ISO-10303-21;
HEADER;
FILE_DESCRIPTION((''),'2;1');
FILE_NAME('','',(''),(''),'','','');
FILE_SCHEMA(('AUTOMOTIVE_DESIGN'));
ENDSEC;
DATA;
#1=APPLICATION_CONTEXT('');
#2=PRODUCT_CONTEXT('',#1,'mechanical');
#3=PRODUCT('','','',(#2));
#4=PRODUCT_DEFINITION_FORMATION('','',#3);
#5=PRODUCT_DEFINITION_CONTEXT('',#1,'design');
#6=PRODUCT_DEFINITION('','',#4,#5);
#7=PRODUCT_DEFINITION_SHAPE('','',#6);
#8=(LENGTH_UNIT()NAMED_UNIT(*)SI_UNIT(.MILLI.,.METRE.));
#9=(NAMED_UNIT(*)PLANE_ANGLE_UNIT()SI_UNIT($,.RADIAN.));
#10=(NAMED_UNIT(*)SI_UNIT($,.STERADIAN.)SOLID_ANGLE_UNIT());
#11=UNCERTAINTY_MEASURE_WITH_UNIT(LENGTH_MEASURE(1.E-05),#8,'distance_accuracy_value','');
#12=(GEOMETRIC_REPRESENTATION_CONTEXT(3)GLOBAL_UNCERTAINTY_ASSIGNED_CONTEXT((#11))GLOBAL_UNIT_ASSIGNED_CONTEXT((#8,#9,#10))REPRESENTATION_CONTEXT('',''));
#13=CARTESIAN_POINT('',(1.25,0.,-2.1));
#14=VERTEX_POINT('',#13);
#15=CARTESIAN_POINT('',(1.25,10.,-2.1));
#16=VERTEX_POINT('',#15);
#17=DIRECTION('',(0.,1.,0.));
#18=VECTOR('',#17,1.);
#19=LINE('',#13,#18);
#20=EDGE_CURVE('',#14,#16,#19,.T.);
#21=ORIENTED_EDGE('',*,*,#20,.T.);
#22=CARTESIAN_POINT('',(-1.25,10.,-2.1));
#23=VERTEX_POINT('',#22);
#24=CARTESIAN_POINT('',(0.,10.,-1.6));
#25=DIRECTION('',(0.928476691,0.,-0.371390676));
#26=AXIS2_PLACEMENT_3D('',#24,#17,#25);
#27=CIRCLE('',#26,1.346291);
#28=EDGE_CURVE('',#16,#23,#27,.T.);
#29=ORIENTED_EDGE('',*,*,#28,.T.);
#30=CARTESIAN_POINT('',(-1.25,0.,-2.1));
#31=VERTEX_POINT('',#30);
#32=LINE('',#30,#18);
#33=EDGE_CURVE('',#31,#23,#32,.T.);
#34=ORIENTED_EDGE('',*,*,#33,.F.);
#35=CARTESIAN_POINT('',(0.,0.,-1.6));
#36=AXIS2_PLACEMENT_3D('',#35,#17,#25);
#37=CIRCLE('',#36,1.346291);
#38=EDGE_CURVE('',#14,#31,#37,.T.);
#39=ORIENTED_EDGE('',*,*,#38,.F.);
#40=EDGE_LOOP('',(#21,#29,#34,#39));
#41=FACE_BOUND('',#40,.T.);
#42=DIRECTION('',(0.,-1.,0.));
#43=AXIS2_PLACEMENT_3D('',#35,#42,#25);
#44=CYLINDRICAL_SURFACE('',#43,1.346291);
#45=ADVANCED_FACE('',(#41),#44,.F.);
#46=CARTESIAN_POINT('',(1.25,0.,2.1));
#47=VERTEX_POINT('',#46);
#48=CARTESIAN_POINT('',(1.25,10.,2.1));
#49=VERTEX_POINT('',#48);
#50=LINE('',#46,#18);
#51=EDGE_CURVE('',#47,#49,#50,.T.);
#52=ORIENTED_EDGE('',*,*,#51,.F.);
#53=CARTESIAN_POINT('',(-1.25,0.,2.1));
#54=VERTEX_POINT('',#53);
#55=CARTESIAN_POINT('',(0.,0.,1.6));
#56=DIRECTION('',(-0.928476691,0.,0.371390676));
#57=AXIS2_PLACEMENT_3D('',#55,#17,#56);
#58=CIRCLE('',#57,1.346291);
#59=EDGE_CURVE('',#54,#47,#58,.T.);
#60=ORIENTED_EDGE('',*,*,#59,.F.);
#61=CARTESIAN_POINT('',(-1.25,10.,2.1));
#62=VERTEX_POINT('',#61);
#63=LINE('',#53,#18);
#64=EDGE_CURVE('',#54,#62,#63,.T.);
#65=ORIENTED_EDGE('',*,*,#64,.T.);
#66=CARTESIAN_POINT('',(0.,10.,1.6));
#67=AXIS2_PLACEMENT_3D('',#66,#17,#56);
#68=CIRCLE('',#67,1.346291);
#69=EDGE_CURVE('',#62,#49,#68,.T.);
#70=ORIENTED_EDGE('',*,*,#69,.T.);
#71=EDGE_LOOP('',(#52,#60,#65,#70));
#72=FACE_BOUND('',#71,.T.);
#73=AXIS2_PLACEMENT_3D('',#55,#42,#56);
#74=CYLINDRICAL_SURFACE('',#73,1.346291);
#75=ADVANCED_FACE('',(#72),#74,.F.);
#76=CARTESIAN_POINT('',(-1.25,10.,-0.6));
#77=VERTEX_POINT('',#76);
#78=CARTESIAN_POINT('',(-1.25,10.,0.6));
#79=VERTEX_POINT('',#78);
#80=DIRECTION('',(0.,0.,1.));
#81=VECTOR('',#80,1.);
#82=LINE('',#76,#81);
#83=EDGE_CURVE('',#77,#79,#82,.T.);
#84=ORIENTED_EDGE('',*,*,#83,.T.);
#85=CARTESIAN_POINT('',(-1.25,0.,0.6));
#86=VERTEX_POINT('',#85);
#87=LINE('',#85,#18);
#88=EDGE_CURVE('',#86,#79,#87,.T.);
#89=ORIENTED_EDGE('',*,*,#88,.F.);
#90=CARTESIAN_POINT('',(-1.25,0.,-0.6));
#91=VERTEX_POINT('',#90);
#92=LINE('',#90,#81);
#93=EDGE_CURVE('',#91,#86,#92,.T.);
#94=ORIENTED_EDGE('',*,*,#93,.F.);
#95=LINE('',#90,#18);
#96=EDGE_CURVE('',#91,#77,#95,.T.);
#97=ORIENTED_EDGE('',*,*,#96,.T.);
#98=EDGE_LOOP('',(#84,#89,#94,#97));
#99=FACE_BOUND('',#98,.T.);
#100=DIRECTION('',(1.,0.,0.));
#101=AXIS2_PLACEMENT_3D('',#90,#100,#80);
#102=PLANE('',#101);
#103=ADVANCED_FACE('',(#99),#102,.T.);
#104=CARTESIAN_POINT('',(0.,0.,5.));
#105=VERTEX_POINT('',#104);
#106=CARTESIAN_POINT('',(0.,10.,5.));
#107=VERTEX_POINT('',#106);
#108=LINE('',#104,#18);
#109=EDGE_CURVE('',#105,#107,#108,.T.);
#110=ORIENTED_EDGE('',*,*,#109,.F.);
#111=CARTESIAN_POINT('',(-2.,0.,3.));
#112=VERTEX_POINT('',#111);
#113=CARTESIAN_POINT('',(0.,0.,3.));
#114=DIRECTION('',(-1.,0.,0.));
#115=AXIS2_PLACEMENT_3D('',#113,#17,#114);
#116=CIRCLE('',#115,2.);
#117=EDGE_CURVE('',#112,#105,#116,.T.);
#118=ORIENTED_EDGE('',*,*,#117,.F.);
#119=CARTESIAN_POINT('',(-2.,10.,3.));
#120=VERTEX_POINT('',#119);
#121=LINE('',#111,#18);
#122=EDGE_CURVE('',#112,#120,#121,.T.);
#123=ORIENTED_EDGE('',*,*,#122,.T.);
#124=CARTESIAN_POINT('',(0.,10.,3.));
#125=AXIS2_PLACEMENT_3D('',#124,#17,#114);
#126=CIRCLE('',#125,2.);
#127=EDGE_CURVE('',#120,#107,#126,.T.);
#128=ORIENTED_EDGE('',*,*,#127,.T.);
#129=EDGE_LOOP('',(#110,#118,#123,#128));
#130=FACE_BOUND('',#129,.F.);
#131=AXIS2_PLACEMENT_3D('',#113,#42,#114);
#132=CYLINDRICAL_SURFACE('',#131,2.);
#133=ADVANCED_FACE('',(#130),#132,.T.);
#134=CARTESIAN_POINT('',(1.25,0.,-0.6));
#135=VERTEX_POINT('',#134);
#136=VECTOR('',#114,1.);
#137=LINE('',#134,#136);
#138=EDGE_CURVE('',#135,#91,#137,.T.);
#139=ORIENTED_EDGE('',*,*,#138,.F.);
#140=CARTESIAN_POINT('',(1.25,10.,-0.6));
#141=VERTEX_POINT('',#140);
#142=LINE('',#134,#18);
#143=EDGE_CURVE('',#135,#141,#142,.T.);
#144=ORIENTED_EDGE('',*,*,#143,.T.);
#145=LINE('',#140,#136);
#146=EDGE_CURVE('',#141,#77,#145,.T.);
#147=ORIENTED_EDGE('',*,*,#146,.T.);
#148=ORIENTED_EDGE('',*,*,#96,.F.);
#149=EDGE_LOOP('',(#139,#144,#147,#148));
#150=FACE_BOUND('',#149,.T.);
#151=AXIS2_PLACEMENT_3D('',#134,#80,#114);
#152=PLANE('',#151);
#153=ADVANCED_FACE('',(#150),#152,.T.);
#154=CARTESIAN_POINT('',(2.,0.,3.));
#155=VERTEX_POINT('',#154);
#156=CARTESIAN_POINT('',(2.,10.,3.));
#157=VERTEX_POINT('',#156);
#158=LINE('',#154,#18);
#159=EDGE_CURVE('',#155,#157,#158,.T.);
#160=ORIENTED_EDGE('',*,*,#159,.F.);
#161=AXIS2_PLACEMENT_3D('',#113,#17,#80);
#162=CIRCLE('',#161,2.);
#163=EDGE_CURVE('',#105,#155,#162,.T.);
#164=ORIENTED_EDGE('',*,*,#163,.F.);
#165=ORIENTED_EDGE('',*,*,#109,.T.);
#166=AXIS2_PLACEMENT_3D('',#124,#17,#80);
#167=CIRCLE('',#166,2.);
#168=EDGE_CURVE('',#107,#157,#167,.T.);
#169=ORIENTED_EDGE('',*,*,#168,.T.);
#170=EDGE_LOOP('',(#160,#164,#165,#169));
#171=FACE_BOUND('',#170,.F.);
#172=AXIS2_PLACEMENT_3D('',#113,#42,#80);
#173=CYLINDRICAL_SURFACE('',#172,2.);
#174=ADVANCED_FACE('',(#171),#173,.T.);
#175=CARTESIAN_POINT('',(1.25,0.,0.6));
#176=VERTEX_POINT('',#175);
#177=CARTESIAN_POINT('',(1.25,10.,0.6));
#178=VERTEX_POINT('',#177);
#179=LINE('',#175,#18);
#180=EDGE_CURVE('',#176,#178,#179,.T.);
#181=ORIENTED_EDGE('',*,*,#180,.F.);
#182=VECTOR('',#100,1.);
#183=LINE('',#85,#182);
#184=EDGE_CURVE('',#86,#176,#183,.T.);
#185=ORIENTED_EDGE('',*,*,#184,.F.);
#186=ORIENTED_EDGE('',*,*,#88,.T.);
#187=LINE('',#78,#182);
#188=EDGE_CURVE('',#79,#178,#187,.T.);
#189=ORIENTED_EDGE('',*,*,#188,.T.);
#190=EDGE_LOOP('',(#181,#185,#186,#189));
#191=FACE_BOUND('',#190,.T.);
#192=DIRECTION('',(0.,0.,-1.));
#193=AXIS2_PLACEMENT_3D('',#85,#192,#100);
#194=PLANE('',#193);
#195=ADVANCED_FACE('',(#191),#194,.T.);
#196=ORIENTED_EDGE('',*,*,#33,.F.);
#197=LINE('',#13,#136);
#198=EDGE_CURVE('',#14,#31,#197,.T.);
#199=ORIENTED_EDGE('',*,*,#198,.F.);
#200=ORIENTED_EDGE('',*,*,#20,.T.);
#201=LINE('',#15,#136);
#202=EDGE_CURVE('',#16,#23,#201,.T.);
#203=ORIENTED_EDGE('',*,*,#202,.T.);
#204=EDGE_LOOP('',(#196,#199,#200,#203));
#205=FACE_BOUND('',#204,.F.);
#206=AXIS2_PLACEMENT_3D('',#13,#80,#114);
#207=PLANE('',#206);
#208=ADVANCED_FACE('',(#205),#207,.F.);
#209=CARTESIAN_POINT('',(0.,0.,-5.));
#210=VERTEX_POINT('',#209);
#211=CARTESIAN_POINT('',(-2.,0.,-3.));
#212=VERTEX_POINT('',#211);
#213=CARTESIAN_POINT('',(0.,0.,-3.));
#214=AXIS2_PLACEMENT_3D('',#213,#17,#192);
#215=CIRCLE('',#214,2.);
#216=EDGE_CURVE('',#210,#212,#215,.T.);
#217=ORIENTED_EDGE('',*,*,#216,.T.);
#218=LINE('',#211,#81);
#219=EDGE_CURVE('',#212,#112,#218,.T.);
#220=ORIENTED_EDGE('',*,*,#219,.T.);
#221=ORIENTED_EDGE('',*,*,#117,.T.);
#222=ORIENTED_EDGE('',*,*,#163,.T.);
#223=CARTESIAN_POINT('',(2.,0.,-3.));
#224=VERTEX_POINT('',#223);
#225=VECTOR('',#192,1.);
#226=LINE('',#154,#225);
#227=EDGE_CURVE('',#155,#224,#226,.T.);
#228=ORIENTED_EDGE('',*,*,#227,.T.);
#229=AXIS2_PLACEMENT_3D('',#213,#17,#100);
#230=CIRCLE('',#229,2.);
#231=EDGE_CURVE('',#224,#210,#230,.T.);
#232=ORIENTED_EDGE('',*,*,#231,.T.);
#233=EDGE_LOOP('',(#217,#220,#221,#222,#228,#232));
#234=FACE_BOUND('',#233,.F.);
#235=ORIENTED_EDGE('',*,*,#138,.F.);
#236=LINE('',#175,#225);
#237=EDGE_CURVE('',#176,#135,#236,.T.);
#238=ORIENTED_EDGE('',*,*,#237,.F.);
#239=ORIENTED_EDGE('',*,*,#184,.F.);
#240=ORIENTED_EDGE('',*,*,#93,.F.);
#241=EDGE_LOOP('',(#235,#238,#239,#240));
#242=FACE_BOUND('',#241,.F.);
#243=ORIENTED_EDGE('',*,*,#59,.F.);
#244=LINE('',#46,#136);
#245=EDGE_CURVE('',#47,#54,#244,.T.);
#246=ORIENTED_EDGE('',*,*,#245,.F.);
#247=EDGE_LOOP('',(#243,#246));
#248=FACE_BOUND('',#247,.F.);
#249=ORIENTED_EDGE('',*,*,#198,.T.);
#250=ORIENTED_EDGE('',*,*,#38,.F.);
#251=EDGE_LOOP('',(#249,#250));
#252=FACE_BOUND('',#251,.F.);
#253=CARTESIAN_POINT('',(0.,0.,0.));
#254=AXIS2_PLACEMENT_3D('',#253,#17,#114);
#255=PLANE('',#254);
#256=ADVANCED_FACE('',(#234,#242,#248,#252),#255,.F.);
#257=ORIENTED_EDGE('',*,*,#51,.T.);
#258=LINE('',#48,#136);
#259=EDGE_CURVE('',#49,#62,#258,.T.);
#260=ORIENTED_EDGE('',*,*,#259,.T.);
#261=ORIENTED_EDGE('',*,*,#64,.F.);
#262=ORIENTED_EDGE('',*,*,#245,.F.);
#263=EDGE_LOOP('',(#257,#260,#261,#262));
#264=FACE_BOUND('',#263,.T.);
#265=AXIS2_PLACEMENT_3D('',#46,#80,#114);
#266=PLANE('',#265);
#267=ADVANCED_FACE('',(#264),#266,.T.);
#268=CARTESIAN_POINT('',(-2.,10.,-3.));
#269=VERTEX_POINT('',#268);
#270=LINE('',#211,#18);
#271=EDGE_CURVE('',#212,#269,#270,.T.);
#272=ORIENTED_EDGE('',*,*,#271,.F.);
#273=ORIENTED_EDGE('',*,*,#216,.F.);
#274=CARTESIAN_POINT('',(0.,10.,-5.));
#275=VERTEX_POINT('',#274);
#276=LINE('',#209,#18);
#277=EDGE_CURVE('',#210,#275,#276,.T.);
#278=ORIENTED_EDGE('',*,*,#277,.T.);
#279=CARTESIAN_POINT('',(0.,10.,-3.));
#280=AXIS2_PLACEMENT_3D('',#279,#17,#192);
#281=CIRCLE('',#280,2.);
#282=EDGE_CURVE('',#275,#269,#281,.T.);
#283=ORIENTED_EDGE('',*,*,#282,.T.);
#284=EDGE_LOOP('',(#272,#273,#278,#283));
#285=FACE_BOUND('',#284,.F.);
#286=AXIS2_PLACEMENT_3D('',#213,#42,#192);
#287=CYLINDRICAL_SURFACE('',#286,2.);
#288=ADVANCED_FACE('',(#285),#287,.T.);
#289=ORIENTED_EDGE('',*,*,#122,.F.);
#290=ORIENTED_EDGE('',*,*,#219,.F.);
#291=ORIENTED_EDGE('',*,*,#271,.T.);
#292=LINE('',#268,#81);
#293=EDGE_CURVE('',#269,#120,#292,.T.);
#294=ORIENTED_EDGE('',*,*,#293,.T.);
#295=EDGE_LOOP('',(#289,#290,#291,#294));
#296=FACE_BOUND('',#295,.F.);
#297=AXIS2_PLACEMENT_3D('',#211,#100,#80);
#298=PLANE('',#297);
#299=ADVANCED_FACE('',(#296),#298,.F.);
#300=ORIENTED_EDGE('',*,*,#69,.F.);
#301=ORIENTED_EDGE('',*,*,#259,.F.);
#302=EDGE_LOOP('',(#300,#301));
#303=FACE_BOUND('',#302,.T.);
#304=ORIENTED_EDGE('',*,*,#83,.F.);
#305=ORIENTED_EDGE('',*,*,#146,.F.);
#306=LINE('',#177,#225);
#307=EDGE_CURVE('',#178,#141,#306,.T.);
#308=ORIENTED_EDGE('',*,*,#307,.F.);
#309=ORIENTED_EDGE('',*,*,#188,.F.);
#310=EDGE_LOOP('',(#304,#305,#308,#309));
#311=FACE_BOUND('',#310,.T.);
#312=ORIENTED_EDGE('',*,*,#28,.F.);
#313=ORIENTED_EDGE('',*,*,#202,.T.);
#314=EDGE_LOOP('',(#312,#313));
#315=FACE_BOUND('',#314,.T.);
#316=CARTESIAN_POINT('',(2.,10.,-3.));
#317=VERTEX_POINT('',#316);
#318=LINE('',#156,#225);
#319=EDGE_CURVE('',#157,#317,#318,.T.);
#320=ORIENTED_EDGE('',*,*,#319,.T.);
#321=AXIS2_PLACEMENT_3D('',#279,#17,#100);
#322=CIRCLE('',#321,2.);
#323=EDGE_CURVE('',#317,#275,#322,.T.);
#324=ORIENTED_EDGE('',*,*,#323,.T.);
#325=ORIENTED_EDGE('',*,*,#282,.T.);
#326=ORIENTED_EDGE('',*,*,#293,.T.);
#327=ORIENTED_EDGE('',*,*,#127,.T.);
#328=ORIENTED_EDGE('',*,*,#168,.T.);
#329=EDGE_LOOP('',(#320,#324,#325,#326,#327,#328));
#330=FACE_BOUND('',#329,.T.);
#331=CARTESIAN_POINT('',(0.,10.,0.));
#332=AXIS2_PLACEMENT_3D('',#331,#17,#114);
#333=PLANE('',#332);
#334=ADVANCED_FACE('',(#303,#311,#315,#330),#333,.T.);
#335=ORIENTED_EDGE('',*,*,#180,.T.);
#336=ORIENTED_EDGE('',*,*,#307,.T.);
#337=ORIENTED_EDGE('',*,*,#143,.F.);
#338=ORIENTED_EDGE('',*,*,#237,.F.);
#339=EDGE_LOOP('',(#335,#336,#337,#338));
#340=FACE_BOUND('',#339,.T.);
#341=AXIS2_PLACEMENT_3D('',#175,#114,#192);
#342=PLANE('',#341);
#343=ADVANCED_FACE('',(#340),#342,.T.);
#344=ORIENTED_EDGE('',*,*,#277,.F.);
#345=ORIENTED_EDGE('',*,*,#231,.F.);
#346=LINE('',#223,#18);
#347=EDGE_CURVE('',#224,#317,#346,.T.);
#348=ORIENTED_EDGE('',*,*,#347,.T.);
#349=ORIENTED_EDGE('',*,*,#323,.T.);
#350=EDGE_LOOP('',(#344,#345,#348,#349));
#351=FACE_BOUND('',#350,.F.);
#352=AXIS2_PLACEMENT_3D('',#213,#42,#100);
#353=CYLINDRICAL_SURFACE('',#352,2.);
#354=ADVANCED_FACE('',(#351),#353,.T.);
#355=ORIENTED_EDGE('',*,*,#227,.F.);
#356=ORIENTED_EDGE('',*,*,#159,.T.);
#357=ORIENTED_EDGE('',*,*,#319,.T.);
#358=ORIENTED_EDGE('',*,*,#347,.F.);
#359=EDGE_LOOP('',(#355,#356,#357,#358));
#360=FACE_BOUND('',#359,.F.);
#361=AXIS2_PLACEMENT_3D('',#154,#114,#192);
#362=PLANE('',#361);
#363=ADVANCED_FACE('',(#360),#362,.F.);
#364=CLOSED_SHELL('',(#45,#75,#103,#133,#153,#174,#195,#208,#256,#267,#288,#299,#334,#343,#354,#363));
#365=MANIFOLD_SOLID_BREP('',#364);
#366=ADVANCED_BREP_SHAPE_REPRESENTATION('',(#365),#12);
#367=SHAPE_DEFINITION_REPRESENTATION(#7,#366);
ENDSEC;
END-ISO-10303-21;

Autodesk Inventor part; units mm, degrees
ref_plane "YZ Plane" through (0, 0, 0) normal (1, 0, 0) x (0, 1, 0)
ref_plane "XZ Plane" through (0, 0, 0) normal (0, 1, 0) x (-1, 0, 0)
ref_plane "XY Plane" through (0, 0, 0) normal (0, 0, 1) x (1, 0, 0)
sketch "Sketch1" plane through (0, 0, 0) normal (0, 1, 0) x (-1, 0, 0)
  line L0 (0, 5) -> (0, 5)
  line L1 (-2, 3) -> (-2, -3)
  line L2 (0, -5) -> (0, -5)
  line L3 (2, -3) -> (2, 3)
  line L4 (2, 5) -> (-2, -5) construction
  line L5 (-2, 5) -> (2, -5) construction
  arc A0 (2, 3) -> (0, 5) centre (0, 3) ccw
  arc A1 (0, -5) -> (2, -3) centre (0, -3) ccw
  arc A2 (-2, -3) -> (0, -5) centre (0, -3) ccw
  arc A3 (0, 5) -> (-2, 3) centre (0, 3) ccw
  line L6 (1.25, 0.6) -> (-1.25, 0.6)
  line L7 (-1.25, 0.6) -> (-1.25, -0.6)
  line L8 (-1.25, -0.6) -> (1.25, -0.6)
  line L9 (1.25, -0.6) -> (1.25, 0.6)
  line L10 (1.25, 0.6) -> (-1.25, -0.6) construction
  line L11 (-1.25, 0.6) -> (1.25, -0.6) construction
  arc A4 (-1.25, -2.1) -> (1.25, -2.1) centre (0, -1.6) ccw
  line L12 (-1.25, -2.1) -> (1.25, -2.1)
  line L13 (2, 0) -> (-2.9121, 0) construction
  arc A5 (1.25, 2.1) -> (-1.25, 2.1) centre (0, 1.6) ccw
  line L14 (-1.25, 2.1) -> (1.25, 2.1)
  point P0 (0, 0)
  dimension "d0" = 10
  dimension "d1" = 4
  dimension "d2" = 2
  dimension "d3" = 1.2
  dimension "d4" = 2.5
  dimension "d5" = 1.5
  dimension "d6" = 1.5
  dimension "d7" = 1
  dimension "d8" = 1.3463
  dimension "d9" = 0.75
extrude "Extrusion1" add sketch "Sketch1" along normal blind 10
properties part number "Pressure sensor connector" material "PET Plastic"
